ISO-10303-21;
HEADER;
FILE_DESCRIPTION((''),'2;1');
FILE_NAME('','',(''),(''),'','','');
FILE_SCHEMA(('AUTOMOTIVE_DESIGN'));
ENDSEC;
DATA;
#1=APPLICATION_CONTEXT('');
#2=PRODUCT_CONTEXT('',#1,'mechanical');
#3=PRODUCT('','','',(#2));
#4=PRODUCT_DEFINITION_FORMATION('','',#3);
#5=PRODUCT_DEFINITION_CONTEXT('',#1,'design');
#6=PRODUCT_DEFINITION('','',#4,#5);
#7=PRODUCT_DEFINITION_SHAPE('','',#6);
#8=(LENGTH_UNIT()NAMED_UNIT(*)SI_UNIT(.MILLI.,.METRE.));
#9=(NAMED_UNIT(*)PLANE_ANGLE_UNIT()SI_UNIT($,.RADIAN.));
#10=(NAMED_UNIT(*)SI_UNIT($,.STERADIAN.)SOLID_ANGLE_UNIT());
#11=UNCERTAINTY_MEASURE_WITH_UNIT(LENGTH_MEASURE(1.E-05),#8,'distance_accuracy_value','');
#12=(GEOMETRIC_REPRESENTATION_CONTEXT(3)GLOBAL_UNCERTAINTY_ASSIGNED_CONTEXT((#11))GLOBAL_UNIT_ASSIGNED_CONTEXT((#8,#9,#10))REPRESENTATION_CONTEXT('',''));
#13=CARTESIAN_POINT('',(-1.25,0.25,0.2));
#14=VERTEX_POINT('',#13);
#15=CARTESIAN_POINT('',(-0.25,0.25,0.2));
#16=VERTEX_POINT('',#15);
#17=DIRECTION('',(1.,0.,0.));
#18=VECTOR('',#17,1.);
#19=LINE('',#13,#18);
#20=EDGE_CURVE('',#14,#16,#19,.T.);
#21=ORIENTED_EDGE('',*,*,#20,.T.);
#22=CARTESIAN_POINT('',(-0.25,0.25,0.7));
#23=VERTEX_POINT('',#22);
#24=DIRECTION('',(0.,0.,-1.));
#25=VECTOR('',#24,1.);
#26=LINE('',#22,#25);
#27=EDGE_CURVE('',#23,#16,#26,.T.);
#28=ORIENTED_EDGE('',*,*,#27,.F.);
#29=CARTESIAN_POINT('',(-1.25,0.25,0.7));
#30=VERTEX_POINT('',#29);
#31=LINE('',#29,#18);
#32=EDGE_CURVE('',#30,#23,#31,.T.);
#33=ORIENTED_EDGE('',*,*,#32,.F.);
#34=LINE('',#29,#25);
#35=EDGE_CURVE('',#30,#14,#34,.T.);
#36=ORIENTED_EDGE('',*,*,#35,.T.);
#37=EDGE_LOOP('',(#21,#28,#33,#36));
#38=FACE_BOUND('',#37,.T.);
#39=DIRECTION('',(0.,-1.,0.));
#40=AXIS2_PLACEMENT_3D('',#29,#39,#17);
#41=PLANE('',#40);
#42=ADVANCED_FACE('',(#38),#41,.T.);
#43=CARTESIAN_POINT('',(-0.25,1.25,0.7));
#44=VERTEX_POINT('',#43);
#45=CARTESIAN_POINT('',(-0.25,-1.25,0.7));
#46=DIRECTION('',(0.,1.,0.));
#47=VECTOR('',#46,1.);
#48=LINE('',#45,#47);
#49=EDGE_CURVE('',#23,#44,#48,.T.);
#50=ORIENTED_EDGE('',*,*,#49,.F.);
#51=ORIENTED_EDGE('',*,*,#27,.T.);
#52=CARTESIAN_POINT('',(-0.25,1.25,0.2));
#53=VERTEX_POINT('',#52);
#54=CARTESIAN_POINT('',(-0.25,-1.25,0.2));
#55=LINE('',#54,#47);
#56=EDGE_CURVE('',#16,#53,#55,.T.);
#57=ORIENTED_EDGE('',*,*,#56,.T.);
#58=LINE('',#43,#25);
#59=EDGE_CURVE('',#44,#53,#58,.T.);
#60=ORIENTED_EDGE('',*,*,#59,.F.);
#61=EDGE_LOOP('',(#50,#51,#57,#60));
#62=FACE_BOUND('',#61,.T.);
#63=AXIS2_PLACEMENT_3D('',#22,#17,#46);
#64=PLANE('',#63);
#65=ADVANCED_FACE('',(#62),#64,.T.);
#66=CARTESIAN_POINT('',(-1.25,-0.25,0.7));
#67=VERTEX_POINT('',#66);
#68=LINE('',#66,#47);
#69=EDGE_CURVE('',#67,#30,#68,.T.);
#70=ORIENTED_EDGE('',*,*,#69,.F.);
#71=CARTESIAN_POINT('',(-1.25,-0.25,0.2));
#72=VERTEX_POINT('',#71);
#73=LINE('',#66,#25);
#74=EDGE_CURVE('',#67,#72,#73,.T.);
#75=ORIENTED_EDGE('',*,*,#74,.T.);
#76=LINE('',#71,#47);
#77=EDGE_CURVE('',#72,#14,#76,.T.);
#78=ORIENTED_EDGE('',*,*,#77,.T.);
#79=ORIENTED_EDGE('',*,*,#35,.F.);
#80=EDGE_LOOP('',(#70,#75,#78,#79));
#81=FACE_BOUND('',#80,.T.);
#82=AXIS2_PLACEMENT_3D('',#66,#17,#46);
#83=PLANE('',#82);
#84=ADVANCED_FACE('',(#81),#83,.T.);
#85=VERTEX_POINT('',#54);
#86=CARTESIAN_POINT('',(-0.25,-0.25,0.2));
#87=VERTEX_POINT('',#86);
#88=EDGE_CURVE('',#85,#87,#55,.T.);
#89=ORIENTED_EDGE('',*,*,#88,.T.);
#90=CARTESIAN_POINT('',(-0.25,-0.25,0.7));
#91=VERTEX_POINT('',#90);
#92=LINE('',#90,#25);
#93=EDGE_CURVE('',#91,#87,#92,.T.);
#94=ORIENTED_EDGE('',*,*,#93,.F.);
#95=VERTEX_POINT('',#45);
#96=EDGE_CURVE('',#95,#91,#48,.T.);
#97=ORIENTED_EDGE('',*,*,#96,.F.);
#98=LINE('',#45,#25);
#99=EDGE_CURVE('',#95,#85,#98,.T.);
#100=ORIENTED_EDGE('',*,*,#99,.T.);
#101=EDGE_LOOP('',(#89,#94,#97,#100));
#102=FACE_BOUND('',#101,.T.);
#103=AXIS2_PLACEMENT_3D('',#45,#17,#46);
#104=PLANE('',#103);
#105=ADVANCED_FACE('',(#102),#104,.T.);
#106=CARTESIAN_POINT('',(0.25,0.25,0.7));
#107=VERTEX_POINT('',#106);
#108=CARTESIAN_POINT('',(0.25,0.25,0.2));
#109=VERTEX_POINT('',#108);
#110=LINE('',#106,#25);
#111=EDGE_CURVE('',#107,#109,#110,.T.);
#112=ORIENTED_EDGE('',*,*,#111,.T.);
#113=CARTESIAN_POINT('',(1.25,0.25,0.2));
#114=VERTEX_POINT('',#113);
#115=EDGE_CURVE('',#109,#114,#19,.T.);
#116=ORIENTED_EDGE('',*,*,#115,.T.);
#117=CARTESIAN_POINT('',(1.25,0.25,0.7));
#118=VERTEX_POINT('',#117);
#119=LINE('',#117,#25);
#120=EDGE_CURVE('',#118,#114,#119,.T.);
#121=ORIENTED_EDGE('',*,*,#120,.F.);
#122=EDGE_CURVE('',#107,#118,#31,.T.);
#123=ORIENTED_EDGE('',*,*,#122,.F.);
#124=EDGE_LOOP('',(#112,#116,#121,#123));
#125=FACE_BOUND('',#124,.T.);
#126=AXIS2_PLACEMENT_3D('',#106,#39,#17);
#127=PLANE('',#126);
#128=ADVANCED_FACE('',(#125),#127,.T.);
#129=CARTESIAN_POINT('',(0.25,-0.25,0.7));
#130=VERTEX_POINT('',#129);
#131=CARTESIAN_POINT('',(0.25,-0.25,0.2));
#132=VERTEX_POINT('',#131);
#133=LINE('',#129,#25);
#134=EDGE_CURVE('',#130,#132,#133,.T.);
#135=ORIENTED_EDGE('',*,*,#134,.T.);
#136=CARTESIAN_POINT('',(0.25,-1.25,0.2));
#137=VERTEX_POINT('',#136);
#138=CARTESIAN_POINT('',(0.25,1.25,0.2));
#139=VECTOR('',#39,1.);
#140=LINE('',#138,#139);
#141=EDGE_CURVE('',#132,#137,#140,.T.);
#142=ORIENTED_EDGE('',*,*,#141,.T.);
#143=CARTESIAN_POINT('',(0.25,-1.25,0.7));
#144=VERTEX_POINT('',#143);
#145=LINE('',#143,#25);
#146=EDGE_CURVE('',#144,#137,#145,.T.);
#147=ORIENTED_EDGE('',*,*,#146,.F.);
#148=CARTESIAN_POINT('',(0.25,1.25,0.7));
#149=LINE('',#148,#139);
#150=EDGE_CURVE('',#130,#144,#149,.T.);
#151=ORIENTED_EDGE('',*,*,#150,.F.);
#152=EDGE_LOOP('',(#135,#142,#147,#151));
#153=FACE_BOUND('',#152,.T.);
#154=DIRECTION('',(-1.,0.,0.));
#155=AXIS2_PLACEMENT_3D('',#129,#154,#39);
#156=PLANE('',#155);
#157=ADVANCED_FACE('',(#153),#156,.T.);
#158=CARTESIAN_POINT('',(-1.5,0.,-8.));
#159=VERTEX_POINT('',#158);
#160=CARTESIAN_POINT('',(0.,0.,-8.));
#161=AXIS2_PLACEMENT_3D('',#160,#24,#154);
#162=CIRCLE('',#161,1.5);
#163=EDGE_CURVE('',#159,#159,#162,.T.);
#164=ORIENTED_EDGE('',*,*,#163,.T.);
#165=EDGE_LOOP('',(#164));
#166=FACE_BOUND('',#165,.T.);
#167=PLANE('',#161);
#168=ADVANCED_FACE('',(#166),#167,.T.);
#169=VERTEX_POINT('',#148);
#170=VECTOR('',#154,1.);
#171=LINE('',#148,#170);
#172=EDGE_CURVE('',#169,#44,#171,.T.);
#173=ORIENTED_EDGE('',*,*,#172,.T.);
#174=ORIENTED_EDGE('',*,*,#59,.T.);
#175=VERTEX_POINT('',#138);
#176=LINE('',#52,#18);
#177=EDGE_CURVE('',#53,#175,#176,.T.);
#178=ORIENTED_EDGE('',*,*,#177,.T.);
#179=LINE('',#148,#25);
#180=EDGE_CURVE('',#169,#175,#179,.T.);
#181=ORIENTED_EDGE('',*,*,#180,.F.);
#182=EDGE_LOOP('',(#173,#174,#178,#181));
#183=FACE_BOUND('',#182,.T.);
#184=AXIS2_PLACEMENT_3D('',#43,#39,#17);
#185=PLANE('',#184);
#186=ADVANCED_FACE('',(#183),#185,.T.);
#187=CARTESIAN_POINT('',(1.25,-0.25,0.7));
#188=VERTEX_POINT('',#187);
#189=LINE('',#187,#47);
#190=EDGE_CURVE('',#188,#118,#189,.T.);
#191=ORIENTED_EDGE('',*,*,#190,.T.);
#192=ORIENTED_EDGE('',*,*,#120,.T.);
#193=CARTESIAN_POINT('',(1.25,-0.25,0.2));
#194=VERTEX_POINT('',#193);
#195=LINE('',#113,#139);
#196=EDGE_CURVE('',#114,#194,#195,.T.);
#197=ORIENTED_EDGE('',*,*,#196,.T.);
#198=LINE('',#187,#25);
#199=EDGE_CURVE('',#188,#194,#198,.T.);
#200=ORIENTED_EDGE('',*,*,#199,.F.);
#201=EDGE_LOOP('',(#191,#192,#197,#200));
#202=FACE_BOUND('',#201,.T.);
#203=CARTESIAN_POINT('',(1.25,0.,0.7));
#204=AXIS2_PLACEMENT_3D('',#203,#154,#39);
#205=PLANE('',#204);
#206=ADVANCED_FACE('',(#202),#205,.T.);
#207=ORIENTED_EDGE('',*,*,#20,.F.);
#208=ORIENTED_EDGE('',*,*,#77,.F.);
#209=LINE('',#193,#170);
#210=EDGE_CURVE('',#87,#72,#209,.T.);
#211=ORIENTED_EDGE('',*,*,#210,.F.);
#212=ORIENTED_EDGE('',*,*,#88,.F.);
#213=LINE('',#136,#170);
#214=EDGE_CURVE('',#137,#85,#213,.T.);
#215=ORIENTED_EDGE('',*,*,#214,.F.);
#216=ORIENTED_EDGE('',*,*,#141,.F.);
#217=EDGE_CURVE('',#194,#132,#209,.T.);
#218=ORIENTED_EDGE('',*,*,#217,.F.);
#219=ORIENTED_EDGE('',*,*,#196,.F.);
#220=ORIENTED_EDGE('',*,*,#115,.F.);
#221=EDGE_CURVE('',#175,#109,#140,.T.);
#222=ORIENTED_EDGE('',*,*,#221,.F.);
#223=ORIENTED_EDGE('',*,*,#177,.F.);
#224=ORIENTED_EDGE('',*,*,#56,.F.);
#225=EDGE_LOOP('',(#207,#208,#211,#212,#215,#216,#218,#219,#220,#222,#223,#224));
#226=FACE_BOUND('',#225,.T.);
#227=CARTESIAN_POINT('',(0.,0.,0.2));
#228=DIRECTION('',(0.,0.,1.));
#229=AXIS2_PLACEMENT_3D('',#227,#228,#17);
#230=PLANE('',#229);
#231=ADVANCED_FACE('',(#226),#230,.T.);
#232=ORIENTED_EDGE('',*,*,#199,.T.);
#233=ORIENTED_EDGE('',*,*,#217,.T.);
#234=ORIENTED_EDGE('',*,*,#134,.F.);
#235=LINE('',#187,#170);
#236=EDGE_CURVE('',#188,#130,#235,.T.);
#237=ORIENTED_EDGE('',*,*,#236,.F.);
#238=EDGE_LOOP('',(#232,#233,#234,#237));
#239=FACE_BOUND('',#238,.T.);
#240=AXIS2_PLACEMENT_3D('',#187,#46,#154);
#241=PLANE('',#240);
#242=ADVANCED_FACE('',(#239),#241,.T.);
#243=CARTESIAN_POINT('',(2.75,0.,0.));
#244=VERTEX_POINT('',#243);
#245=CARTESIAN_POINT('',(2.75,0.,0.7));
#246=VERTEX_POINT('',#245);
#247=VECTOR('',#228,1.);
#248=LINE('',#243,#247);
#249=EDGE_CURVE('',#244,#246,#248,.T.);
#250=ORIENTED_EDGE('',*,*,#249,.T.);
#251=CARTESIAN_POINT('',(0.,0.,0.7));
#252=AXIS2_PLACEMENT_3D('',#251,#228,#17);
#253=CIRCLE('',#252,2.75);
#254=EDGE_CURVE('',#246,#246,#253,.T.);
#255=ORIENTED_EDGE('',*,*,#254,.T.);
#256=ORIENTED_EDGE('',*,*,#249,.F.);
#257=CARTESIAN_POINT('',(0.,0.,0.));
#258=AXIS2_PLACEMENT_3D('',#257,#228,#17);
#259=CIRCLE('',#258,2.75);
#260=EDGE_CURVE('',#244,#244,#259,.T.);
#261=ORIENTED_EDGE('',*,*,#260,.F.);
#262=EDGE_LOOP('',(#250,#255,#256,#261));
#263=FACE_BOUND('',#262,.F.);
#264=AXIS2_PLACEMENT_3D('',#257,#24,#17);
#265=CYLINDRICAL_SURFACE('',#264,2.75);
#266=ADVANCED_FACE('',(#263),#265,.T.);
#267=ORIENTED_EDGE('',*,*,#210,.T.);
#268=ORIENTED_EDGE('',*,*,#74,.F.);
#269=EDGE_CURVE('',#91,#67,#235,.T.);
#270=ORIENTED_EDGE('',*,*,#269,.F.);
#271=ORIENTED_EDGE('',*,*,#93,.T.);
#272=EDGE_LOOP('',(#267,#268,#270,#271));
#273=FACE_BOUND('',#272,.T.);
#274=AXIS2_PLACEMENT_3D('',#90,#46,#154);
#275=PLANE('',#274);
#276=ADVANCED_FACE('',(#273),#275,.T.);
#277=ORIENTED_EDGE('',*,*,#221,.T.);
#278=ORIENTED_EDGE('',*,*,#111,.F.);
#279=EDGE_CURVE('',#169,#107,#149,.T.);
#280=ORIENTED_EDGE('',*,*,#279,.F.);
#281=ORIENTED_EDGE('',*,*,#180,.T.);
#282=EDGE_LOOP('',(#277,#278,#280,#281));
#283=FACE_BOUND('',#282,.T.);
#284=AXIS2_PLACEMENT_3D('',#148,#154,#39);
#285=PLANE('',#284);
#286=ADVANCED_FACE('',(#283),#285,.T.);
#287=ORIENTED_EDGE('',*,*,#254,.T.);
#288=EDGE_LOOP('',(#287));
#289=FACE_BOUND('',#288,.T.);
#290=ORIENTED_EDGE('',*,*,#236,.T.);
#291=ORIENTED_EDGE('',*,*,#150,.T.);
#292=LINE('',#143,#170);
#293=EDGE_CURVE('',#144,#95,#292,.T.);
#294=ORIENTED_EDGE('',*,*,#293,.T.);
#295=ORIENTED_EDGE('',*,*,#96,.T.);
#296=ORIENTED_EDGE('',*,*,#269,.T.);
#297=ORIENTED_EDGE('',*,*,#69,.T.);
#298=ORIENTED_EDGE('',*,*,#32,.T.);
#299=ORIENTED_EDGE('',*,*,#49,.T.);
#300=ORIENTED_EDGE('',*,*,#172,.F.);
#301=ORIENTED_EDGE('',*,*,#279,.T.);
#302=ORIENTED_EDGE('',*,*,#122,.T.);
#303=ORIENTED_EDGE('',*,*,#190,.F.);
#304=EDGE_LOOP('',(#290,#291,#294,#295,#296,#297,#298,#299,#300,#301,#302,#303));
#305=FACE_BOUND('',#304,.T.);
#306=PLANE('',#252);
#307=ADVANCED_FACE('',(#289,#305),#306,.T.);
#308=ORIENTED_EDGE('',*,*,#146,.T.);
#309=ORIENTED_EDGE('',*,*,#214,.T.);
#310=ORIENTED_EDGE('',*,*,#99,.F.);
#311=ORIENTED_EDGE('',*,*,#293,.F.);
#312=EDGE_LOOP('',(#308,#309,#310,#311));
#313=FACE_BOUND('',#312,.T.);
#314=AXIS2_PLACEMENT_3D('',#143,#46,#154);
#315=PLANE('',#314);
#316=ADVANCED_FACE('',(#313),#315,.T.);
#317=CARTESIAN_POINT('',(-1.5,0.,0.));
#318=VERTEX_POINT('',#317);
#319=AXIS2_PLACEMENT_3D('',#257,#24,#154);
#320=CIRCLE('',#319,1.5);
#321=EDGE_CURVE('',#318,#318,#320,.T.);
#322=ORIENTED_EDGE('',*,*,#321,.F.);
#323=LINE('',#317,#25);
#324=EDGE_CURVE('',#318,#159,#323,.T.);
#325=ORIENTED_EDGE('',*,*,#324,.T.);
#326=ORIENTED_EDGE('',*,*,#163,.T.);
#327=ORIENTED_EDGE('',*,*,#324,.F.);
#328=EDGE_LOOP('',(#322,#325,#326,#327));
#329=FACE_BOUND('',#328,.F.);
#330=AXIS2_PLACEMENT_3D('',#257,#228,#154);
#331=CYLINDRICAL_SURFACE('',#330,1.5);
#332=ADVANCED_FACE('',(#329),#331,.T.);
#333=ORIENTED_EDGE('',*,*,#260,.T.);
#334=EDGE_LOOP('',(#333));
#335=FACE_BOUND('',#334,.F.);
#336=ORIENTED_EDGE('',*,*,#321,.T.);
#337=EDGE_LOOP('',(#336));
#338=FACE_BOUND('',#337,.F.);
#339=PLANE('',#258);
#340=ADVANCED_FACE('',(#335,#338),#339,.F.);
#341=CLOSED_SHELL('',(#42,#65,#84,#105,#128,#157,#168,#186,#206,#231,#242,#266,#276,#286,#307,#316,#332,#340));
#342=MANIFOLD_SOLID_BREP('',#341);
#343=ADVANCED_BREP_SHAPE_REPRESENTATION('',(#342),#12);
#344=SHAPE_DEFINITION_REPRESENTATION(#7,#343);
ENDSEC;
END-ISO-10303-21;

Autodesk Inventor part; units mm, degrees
ref_plane "YZ Plane" through (0, 0, 0) normal (1, 0, 0) x (0, 1, 0)
ref_plane "XZ Plane" through (0, 0, 0) normal (0, 1, 0) x (-1, 0, 0)
ref_plane "XY Plane" through (0, 0, 0) normal (0, 0, 1) x (1, 0, 0)
sketch "スケッチ1" plane through (0, 0, 0) normal (0, 0, 1) x (1, 0, 0)
  circle A0 centre (0, 0) radius 2.75
  dimension "d0" = 5.5
extrude "押し出し1" add sketch "スケッチ1" along normal blind 0.7
sketch "スケッチ2" plane through (0, 0, 0) normal (0, 0, -1) x (-1, 0, 0)
  circle A0 centre (0, 0) radius 1.5
  dimension "d3" = 3
extrude "押し出し2" add sketch "スケッチ2" along normal blind 8
sketch "スケッチ3" plane through (0, 0, 0.7) normal (0, 0, 1) x (1, 0, 0)
  line L0 (-1.25, 0.25) -> (1.25, 0.25)
  line L1 (1.25, 0.25) -> (1.25, -0.25)
  line L2 (1.25, -0.25) -> (-1.25, -0.25)
  line L3 (-1.25, -0.25) -> (-1.25, 0.25)
  line L4 (-0.25, 1.25) -> (0.25, 1.25)
  line L5 (0.25, 1.25) -> (0.25, -1.25)
  line L6 (0.25, -1.25) -> (-0.25, -1.25)
  line L7 (-0.25, -1.25) -> (-0.25, 1.25)
  line L8 (0, 0) -> (0, 1.7976)
  line L9 (0, 0) -> (2.75, 0)
  circle A0 centre (0, 0) radius 2.75 projected
  point P0 (-0.25, 0.25)
  point P1 (-0.25, -0.25)
  point P2 (0.25, -0.25)
  point P3 (0.25, 0.25)
  dimension "d6" = 0.5
  dimension "d7" = 0.5
  dimension "d8" = 2.5
  dimension "d9" = 2.5
extrude "押し出し3" cut sketch "スケッチ3" against normal blind 0.5 contours L0 L7 L2 L3 | L7 L4 L8 L0 | L0 L8 L9 L5 L2 L7 | L8 L4 L5 L0 | L0 L5 L9 L8 | L2 L5 L6 L7 | L0 L1 L9 L5 | L5 L9 L1 L2
properties part number "CSPELH-SUS-M3-7"
